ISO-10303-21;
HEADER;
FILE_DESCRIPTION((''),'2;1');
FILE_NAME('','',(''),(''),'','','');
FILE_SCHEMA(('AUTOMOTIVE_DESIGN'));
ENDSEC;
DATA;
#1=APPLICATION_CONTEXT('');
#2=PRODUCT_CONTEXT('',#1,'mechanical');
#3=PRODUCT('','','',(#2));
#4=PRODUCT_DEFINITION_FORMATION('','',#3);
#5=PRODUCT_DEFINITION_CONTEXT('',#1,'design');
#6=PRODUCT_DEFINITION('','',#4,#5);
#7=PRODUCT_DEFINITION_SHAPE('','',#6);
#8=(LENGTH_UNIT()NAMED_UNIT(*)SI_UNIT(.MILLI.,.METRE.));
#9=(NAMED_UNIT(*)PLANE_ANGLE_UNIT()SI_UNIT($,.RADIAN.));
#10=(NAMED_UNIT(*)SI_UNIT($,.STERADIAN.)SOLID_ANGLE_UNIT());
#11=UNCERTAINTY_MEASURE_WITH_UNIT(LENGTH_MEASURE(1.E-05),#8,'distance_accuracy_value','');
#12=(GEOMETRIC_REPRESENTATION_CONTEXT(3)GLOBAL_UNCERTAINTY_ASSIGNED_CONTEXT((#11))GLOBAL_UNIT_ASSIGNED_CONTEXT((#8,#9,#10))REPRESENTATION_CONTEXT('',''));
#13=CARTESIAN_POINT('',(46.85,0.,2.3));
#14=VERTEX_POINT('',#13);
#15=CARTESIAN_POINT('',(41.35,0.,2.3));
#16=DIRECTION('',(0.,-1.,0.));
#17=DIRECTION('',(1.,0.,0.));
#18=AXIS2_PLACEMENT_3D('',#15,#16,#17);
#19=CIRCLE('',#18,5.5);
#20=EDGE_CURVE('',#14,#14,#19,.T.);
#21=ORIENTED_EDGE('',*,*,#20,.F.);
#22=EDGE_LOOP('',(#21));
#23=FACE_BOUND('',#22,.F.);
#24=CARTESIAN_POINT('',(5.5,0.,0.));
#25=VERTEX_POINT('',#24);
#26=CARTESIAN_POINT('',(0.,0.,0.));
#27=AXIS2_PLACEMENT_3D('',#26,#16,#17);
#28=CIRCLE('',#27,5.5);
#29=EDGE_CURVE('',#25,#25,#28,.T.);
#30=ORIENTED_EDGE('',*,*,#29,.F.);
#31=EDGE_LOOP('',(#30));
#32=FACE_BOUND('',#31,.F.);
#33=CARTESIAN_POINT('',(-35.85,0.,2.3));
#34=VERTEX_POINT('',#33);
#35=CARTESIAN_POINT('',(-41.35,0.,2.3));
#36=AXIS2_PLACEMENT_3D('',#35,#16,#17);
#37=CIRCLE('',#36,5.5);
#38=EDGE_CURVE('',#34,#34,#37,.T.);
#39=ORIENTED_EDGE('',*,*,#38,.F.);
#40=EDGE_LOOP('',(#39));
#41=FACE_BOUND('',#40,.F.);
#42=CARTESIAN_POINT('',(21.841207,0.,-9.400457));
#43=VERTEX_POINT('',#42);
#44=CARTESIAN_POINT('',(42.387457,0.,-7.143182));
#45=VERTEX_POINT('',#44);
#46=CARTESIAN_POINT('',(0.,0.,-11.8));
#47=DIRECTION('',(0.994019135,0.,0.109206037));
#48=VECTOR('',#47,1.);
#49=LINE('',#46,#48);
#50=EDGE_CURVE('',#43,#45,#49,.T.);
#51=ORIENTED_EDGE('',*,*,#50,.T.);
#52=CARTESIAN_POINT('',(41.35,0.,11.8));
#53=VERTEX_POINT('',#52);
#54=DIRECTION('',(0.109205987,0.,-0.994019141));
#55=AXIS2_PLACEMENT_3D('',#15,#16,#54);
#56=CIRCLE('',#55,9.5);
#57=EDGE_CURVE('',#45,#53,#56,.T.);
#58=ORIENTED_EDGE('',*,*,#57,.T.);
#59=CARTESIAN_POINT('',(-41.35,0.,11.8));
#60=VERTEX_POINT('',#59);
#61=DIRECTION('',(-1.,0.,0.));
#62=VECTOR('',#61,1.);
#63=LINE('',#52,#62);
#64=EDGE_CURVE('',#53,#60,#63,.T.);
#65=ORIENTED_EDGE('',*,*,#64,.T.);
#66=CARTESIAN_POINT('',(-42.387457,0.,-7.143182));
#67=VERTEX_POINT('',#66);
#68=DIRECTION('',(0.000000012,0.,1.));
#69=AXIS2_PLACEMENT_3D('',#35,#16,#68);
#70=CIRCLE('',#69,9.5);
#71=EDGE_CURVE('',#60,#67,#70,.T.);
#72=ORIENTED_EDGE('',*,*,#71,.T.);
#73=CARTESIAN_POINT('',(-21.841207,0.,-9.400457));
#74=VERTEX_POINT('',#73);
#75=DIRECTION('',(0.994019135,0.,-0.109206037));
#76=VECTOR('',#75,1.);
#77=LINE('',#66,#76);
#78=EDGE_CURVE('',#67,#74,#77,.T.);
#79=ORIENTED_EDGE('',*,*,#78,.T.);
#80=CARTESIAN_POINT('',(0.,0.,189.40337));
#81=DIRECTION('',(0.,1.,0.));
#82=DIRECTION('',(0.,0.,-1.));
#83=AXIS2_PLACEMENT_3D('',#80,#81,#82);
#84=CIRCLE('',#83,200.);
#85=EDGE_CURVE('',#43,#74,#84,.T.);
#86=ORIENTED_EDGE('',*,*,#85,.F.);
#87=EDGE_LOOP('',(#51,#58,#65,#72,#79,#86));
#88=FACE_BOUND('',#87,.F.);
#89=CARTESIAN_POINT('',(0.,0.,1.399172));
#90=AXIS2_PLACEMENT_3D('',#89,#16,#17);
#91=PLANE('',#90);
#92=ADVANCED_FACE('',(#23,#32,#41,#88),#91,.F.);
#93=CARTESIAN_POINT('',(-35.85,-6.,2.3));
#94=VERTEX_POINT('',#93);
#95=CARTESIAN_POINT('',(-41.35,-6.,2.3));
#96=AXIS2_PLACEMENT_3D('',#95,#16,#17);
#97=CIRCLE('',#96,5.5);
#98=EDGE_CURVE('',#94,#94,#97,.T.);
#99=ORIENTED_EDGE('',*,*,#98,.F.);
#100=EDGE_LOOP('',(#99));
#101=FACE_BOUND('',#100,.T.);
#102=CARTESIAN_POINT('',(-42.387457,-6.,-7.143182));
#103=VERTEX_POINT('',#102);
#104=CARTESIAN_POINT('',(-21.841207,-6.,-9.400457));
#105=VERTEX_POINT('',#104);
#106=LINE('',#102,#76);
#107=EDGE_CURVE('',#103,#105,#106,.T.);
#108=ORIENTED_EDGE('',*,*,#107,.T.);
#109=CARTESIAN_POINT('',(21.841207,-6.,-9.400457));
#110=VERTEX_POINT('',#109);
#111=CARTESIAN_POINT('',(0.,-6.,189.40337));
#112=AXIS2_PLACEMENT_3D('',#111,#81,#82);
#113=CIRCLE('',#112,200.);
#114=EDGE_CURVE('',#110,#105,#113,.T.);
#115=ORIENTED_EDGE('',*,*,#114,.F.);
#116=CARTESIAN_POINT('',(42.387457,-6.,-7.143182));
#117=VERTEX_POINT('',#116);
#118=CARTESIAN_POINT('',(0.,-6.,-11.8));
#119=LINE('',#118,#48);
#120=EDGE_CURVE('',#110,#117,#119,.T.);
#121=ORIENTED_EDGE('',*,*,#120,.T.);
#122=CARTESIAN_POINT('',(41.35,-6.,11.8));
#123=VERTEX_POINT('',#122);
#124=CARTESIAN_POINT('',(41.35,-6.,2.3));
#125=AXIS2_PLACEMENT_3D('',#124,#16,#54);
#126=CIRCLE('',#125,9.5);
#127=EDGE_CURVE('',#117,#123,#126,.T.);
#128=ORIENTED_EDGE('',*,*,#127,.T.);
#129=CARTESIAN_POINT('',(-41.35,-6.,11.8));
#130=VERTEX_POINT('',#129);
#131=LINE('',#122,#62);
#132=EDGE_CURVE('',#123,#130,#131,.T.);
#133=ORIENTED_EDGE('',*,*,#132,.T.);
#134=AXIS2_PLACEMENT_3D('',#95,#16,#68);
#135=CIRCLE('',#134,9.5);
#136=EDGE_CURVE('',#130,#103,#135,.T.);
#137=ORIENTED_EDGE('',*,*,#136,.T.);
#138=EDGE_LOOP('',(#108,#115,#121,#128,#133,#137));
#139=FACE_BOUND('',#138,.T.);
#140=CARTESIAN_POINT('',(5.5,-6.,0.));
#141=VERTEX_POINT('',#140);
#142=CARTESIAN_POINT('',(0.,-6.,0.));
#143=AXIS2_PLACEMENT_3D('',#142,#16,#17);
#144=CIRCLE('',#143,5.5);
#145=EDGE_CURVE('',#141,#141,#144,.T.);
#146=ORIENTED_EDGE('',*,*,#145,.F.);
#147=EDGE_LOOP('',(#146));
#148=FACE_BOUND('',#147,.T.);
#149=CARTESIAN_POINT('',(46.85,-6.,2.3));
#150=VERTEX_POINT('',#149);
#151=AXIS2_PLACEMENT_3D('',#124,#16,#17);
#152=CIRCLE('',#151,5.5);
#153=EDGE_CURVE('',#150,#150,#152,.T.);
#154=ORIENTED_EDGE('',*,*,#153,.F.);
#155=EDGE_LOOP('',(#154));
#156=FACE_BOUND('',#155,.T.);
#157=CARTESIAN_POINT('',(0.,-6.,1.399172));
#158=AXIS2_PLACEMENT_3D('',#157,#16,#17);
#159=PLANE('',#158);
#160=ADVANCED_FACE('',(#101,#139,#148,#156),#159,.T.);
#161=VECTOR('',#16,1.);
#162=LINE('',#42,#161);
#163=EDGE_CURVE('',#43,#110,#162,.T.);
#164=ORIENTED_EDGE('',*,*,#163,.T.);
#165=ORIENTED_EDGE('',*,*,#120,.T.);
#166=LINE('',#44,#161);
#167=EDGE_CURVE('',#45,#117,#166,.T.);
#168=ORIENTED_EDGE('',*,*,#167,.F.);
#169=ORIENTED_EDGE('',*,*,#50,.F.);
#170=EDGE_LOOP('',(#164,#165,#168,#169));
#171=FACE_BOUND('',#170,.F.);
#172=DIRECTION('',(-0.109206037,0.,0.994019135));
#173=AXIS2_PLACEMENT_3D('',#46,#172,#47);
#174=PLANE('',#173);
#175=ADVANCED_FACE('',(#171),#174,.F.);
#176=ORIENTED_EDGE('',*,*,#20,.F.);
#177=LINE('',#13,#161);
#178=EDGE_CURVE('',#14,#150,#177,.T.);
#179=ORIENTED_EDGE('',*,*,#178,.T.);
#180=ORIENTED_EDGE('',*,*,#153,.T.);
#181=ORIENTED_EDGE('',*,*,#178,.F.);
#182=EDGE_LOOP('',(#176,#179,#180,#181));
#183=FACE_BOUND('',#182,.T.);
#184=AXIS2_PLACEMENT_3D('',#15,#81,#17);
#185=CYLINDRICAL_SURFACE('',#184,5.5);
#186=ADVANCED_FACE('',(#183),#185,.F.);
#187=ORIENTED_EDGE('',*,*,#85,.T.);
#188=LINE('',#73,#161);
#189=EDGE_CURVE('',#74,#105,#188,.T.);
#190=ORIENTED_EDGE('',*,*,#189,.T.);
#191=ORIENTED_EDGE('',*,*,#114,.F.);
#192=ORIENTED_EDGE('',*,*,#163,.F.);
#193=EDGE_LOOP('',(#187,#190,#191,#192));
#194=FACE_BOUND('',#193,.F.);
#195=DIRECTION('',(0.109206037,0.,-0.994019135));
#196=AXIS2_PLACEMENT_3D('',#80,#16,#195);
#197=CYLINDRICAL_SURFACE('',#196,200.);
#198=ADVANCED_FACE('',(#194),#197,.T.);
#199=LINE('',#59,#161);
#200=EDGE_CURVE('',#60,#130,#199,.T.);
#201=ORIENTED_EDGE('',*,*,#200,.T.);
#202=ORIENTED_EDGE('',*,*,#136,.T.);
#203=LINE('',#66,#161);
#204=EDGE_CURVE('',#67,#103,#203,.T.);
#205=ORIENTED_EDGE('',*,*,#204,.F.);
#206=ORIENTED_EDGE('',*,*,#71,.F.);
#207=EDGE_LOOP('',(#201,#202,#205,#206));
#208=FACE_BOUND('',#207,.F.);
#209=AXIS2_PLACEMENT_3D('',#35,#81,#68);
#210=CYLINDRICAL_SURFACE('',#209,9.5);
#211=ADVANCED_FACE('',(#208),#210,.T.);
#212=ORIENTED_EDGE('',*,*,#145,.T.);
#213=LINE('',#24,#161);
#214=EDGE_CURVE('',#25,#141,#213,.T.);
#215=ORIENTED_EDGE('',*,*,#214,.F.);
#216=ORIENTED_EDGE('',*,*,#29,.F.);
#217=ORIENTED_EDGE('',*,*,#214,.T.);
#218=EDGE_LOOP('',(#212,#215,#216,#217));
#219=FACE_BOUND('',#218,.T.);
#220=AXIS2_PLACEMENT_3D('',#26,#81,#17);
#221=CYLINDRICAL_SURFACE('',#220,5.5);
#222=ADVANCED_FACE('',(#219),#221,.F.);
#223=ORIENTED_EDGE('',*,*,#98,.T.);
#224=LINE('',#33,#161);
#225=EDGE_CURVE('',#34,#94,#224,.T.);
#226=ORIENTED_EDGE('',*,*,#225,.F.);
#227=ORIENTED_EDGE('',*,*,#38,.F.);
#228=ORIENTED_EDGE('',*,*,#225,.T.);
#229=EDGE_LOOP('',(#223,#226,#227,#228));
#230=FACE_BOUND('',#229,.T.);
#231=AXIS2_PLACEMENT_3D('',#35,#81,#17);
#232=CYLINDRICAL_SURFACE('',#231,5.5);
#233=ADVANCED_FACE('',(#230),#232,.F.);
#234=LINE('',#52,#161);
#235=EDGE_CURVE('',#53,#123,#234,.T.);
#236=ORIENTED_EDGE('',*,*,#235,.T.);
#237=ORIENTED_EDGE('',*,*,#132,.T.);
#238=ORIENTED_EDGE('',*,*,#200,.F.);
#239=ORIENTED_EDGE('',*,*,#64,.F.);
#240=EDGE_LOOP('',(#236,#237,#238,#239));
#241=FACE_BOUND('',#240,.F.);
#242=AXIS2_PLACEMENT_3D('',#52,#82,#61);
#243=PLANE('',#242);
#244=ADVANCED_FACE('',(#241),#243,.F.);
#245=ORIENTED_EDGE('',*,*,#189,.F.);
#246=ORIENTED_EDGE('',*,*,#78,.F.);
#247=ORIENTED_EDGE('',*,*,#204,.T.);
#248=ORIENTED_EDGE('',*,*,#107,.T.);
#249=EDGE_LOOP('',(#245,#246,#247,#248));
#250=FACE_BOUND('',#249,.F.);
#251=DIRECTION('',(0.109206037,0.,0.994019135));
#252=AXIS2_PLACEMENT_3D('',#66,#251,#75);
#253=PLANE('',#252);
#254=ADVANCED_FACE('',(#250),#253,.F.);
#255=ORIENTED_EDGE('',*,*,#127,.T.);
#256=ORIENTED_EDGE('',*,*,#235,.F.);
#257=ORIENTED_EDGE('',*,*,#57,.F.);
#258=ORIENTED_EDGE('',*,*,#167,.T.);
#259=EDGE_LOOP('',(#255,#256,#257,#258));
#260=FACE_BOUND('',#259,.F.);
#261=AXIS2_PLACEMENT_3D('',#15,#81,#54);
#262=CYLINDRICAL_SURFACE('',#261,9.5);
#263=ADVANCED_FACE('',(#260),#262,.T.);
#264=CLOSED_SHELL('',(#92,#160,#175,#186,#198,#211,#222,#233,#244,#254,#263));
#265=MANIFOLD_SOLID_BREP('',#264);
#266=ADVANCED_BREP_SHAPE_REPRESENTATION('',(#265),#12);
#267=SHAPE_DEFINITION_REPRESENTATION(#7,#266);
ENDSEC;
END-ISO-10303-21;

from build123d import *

# Parameters (mm, degrees)
F0_R     = 5.5
F1_DEPTH = 6
F2_R     = 200


with BuildPart() as f1:
    # F0 (on Front) → F1 (new body)
    with BuildSketch(Plane.XZ):
        with BuildLine():
            Line((41.35, 11.8), (-41.35, 11.8))
            ThreePointArc((-41.35, 11.8), (-50.835785, 2.819506), (-42.387457, -7.143182))
            Line((-42.387457, -7.143182), (0, -11.8))
            Line((0, -11.8), (42.387457, -7.143182))
            ThreePointArc((42.387457, -7.143182), (50.835785, 2.819506), (41.35, 11.8))
        make_face()
        Circle(F0_R, mode=Mode.SUBTRACT)
        with Locations((-41.35, 2.3)):
            Circle(F0_R, mode=Mode.SUBTRACT)
        with Locations((41.35, 2.3)):
            Circle(F0_R, mode=Mode.SUBTRACT)
    extrude(amount=F1_DEPTH)

    # F2
    f2_edges = [f1.edges().sort_by_distance(p)[0] for p in [
        (0, -3, -11.8),
    ]]
    fillet(f2_edges, radius=F2_R)


solid = f1.part
